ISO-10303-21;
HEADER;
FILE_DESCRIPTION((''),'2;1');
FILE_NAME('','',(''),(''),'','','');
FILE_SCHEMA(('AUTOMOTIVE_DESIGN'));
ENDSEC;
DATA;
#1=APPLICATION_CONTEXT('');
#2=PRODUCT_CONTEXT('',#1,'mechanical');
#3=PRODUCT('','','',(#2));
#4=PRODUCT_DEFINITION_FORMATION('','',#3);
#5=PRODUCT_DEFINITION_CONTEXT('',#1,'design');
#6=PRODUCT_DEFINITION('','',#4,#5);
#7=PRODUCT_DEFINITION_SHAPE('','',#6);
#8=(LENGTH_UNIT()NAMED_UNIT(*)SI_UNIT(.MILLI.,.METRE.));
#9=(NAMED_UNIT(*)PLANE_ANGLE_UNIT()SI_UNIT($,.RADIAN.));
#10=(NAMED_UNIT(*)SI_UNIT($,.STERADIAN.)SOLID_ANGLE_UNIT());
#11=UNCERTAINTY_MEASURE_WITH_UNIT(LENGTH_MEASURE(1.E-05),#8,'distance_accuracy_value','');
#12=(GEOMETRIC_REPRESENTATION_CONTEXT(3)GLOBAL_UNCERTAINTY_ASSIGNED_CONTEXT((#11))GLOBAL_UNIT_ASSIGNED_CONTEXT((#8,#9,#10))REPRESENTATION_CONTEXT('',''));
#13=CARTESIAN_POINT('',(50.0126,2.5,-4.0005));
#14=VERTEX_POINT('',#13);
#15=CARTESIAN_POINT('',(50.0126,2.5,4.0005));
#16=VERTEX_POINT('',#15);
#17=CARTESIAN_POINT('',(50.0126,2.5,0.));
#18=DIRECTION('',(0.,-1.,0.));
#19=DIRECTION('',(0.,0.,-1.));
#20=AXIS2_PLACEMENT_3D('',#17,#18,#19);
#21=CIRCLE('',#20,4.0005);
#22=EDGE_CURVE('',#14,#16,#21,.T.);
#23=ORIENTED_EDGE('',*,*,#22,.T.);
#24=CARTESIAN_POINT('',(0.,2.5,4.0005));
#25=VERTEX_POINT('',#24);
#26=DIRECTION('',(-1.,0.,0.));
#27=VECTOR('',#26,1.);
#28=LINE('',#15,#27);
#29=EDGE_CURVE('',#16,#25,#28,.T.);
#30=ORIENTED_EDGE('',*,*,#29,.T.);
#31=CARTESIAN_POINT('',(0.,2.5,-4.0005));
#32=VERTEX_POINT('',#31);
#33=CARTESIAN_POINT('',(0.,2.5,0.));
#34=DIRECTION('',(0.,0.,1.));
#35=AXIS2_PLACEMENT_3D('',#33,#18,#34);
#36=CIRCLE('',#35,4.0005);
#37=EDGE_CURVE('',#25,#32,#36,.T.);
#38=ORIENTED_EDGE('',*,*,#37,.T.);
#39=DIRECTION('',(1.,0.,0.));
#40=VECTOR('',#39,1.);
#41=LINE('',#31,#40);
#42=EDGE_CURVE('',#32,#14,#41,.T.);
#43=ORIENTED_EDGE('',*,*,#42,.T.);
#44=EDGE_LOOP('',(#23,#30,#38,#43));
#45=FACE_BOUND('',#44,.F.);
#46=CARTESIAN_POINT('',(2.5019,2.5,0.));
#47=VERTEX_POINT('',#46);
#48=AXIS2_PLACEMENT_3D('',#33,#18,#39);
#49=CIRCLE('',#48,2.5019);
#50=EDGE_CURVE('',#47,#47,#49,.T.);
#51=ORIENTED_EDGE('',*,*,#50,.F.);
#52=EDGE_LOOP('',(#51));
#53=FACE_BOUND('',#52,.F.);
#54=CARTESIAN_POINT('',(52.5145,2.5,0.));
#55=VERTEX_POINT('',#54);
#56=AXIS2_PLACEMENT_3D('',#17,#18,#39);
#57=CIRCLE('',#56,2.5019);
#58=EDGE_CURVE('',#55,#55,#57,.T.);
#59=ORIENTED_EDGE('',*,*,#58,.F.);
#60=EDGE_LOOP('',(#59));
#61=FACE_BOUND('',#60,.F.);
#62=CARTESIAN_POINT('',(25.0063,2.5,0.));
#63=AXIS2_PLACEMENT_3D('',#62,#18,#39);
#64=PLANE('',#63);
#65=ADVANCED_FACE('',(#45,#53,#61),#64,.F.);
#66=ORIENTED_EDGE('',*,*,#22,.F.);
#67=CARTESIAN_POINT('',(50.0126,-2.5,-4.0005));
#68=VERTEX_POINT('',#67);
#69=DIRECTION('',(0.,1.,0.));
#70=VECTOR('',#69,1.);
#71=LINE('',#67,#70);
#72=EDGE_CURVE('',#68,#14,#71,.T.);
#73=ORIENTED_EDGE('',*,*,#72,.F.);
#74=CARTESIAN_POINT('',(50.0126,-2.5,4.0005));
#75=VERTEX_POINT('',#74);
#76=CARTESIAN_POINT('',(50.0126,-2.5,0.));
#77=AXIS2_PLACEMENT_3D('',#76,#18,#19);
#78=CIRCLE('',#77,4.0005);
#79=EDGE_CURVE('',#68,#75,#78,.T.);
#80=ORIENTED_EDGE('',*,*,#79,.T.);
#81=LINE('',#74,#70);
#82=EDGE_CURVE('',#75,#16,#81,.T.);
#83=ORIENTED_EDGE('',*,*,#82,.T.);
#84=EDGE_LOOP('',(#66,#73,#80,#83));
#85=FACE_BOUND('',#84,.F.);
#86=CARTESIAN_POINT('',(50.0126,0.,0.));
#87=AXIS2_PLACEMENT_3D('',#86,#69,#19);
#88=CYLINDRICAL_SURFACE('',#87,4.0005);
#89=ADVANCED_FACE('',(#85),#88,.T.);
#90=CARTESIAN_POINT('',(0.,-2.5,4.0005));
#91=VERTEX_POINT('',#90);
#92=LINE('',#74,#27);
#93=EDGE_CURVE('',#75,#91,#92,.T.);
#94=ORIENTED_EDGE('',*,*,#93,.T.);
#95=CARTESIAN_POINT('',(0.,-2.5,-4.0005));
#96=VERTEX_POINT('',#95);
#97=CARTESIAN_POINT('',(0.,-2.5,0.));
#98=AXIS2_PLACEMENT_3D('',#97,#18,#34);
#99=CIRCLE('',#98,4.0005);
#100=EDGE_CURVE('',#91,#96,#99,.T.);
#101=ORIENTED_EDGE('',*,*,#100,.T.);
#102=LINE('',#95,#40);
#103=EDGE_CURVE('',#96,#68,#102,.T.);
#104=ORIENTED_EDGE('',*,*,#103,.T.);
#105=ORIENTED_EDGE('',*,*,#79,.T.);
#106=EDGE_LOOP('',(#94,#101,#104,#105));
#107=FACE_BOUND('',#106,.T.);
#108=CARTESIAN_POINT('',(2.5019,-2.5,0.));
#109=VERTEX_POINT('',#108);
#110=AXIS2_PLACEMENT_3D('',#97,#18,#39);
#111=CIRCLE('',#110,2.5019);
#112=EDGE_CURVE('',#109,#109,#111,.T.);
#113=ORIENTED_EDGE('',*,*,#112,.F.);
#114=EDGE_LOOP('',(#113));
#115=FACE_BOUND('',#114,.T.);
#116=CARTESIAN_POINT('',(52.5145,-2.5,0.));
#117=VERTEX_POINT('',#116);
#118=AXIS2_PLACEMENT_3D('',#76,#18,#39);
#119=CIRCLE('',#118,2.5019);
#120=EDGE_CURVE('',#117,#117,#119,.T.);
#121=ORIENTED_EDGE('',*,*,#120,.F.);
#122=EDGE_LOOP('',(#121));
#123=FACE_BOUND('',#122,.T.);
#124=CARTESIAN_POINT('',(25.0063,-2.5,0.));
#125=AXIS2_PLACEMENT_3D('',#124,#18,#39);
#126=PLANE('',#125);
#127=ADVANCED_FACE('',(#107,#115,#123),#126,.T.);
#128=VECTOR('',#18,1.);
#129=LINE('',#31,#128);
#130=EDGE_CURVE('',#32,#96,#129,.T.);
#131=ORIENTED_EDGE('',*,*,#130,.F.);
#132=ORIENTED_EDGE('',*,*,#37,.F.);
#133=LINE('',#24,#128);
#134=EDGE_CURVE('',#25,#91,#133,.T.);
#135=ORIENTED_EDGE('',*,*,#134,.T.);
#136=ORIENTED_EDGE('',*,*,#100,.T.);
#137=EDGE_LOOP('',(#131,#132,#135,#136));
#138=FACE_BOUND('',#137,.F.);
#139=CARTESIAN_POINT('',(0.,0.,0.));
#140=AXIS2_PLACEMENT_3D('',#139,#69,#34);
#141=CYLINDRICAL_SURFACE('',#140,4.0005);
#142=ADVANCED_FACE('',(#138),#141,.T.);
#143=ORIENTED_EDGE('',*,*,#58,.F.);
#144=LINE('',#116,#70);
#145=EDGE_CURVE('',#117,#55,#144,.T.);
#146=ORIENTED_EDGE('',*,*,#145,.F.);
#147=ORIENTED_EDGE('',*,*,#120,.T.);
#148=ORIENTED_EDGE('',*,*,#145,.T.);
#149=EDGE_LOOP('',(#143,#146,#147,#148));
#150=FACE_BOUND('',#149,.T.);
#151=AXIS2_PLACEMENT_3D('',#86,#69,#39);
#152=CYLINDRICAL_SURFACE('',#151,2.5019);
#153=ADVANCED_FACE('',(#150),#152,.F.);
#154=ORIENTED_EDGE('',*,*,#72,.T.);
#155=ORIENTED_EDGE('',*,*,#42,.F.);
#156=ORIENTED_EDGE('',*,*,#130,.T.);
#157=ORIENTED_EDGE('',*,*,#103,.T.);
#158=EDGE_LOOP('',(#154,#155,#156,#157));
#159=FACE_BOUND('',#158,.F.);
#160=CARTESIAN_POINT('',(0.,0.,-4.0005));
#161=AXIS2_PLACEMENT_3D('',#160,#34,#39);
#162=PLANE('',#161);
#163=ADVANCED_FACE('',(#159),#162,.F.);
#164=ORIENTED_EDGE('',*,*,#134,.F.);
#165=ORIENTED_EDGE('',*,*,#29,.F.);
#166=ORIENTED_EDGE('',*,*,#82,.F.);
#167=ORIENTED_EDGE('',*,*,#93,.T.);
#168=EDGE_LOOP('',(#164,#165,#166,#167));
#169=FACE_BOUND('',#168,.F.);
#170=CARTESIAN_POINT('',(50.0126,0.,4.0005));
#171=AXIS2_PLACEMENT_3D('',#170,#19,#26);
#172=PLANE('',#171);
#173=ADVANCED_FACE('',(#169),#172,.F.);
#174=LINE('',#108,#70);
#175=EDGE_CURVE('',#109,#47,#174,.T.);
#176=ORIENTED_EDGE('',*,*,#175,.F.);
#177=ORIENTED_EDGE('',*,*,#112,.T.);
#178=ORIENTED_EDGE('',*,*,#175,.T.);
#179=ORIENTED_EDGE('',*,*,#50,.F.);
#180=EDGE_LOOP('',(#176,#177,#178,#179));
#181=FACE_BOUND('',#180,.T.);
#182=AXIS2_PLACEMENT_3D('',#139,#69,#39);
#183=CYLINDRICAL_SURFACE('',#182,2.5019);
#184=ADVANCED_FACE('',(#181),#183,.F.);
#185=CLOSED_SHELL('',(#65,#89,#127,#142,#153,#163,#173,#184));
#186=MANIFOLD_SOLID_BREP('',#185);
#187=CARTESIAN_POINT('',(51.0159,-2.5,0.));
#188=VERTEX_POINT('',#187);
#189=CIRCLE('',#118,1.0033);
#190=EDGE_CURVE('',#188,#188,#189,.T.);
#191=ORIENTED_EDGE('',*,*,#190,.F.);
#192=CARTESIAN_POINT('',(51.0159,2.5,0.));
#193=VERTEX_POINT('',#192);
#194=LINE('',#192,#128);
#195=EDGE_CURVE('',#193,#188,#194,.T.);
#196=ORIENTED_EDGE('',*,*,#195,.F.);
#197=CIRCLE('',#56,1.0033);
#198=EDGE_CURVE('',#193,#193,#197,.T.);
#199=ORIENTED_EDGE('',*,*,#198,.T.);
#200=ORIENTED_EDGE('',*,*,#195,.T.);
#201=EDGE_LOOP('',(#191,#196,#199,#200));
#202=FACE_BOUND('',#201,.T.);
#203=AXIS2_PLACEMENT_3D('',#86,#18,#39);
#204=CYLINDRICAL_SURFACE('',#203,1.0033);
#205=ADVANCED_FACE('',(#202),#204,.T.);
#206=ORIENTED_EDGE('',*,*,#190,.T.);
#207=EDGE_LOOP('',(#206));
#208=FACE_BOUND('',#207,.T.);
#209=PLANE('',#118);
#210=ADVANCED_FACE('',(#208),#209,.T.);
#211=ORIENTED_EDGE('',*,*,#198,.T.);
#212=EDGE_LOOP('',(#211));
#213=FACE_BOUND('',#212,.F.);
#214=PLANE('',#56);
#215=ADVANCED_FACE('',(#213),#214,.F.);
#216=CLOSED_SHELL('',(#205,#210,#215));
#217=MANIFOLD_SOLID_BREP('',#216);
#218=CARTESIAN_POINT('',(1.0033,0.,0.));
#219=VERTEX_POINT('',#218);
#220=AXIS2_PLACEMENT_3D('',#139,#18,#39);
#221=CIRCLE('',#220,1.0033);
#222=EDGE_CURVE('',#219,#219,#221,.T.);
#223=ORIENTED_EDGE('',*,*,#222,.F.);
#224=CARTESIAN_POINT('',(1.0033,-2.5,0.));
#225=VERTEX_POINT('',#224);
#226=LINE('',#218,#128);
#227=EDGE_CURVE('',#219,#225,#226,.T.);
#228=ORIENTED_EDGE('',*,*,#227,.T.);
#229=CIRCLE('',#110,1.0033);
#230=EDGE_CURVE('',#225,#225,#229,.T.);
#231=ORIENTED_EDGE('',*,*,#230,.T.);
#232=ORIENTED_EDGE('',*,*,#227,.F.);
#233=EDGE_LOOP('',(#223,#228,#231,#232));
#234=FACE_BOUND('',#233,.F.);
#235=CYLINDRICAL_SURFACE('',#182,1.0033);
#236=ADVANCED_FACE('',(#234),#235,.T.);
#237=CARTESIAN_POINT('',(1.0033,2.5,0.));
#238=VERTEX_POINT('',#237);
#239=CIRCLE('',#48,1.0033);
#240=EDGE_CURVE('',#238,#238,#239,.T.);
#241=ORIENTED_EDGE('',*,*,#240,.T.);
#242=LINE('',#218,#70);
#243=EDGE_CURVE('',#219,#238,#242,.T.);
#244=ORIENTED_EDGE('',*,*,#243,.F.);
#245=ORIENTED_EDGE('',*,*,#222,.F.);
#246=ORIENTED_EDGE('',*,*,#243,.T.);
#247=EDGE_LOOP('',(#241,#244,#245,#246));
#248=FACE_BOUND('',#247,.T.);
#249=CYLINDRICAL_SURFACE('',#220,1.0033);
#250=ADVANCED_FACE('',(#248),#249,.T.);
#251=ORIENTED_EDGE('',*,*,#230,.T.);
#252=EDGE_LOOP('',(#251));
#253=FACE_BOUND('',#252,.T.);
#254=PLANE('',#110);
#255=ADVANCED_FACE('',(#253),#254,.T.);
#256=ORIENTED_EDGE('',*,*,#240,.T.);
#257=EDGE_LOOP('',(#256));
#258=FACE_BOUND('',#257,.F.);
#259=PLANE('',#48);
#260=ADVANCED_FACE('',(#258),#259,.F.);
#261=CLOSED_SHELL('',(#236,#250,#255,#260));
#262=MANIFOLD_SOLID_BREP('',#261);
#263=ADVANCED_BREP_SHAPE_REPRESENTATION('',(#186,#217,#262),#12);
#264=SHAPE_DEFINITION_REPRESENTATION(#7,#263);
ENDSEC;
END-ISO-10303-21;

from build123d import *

# Parameters (mm, degrees)
F0_R     = 2.5019
F0_R_2   = 1.0033
F1_DEPTH = 2.5


with BuildPart() as f1:
    # F0 (on Front) → F1 (new body, symmetric)
    with BuildSketch(Plane.XZ):
        with BuildLine():
            Line((50.0126, 4.0005), (0, 4.0005))
            ThreePointArc((0, 4.0005), (-4.0005, 0), (0, -4.0005))
            Line((0, -4.0005), (50.0126, -4.0005))
            ThreePointArc((50.0126, -4.0005), (54.0131, 0), (50.0126, 4.0005))
        make_face()
        Circle(F0_R, mode=Mode.SUBTRACT)
        with Locations((50.0126, 0)):
            Circle(F0_R, mode=Mode.SUBTRACT)
        Circle(F0_R_2)
        with Locations((50.0126, 0)):
            Circle(F0_R_2)
    extrude(amount=F1_DEPTH, both=True)


solid = f1.part
